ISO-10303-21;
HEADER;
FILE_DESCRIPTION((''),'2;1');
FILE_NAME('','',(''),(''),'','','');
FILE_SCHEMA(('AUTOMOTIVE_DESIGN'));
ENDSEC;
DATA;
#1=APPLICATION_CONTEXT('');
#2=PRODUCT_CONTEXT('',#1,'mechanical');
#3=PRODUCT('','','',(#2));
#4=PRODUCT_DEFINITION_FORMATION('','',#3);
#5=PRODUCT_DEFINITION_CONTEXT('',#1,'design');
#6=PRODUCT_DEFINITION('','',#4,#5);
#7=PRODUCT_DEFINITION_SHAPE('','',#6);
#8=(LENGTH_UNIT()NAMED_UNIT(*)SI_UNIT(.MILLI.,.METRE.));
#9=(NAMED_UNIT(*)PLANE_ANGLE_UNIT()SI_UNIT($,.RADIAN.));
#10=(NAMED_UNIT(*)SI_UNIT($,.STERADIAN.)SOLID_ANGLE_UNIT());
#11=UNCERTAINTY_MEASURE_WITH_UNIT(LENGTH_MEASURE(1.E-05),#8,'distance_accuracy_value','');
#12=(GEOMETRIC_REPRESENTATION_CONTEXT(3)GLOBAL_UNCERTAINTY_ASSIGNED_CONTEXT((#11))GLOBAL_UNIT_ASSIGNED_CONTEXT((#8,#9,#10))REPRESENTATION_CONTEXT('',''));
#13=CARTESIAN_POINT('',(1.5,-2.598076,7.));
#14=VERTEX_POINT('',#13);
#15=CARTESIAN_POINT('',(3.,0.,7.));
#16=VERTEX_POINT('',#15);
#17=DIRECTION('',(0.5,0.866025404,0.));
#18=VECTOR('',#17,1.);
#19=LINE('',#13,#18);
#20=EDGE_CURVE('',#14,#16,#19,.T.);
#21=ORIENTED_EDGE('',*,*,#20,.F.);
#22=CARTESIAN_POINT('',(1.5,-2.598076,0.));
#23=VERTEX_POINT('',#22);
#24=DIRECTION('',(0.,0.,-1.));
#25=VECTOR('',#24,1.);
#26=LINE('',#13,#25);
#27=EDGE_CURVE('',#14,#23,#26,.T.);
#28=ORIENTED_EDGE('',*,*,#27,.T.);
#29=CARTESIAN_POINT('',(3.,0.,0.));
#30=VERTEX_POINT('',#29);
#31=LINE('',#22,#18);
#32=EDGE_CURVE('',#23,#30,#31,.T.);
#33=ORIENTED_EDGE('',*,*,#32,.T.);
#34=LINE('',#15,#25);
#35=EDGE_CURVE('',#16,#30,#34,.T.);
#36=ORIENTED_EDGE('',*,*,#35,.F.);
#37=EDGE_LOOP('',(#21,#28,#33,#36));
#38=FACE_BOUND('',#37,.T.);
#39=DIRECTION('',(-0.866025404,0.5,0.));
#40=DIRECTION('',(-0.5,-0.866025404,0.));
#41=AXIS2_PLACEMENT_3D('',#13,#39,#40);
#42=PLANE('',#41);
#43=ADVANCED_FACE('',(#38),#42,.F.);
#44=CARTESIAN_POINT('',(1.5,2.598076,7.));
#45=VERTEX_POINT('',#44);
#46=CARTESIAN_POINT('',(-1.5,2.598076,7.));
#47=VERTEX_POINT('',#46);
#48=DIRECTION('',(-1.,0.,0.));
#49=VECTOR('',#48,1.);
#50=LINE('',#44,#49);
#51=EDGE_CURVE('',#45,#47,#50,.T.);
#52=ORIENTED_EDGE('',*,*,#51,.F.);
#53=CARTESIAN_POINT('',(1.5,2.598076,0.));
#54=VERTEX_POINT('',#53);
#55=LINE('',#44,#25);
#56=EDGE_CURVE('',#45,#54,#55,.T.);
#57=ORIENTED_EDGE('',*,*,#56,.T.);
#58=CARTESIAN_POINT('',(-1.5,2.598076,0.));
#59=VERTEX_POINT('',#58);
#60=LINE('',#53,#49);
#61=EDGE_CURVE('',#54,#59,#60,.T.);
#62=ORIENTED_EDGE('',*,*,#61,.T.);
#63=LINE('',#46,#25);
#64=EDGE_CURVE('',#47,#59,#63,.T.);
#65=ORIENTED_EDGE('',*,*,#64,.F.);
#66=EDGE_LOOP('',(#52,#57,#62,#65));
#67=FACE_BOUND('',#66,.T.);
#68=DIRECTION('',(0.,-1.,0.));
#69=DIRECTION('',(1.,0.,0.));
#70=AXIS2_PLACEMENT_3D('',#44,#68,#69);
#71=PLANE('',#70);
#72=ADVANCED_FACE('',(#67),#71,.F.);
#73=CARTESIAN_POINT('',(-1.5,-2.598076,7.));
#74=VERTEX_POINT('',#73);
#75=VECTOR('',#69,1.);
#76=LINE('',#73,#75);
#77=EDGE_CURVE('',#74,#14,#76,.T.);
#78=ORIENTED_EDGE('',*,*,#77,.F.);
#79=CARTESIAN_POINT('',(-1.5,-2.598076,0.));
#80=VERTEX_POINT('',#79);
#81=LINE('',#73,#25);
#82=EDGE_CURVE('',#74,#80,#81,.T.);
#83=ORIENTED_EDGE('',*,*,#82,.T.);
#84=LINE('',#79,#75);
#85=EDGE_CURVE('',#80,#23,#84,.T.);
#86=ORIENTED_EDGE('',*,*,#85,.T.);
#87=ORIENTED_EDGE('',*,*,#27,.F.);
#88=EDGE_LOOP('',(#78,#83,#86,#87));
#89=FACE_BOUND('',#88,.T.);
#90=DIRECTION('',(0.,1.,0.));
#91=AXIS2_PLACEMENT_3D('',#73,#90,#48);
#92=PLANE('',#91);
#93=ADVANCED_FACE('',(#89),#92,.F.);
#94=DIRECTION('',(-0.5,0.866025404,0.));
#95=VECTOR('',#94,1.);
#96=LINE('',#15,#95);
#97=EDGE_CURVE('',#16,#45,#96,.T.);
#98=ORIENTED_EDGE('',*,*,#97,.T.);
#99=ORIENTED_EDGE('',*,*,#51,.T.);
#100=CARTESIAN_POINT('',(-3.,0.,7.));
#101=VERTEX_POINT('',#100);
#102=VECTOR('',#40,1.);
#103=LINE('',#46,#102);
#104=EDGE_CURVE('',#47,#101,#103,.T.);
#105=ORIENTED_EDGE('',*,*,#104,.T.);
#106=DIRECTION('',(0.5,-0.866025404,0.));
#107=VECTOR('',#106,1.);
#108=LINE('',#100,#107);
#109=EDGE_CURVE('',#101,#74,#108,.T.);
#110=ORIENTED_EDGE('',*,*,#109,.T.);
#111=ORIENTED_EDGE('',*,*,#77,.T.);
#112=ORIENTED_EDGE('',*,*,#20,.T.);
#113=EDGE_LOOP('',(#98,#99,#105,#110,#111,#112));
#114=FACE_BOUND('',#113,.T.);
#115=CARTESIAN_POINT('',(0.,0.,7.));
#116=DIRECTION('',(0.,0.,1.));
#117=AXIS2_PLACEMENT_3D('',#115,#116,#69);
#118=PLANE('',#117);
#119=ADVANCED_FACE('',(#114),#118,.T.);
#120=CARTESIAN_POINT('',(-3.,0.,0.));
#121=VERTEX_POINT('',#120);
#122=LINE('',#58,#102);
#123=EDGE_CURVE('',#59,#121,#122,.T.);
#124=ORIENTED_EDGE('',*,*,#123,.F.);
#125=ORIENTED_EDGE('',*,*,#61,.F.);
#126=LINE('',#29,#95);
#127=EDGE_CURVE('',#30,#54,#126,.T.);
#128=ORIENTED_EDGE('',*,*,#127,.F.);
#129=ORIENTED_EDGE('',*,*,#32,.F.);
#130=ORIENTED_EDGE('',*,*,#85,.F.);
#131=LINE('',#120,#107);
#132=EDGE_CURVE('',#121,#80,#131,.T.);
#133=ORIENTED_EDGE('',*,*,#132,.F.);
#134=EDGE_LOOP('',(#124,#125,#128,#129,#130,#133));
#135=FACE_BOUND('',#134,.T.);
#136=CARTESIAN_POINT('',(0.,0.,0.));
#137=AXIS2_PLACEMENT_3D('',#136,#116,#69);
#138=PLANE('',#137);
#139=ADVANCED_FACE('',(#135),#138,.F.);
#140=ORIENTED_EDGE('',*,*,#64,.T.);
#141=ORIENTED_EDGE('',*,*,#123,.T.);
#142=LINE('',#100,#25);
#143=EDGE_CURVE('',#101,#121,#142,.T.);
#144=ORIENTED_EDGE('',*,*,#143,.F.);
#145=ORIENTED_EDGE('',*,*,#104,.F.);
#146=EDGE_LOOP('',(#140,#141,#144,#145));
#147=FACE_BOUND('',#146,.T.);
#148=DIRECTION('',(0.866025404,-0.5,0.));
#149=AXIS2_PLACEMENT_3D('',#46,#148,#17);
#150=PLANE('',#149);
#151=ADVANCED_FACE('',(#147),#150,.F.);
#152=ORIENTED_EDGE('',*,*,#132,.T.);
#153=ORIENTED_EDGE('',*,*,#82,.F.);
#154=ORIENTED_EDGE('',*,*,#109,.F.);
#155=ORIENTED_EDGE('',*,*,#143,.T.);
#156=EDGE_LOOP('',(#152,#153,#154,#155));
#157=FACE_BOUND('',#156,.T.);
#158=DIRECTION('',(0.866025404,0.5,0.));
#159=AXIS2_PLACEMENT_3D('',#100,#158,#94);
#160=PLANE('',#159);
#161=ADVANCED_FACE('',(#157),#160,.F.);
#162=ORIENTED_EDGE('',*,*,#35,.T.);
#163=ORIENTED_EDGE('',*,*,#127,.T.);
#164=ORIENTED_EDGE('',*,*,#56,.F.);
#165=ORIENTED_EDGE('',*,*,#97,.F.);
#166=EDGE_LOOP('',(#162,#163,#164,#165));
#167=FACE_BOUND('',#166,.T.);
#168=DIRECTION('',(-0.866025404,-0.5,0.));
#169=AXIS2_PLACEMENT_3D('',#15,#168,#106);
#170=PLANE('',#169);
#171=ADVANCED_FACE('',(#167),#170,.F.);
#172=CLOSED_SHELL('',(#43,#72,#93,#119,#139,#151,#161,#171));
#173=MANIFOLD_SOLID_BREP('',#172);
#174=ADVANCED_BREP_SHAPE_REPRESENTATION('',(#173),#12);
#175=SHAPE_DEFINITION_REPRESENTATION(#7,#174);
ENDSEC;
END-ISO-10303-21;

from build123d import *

# Parameters (mm, degrees)
BOSS_EXTRUDE1_DEPTH = 7


with BuildPart() as part:
    # Sketch1 → Boss-Extrude1 (new body)
    with BuildSketch(Plane.XY):
        Polygon((1.5, -2.598076211), (3, 0), (1.5, 2.598076211), (-1.5, 2.598076211), (-3, 0), (-1.5, -2.598076211), align=None)
    extrude(amount=BOSS_EXTRUDE1_DEPTH)


solid = part.part
